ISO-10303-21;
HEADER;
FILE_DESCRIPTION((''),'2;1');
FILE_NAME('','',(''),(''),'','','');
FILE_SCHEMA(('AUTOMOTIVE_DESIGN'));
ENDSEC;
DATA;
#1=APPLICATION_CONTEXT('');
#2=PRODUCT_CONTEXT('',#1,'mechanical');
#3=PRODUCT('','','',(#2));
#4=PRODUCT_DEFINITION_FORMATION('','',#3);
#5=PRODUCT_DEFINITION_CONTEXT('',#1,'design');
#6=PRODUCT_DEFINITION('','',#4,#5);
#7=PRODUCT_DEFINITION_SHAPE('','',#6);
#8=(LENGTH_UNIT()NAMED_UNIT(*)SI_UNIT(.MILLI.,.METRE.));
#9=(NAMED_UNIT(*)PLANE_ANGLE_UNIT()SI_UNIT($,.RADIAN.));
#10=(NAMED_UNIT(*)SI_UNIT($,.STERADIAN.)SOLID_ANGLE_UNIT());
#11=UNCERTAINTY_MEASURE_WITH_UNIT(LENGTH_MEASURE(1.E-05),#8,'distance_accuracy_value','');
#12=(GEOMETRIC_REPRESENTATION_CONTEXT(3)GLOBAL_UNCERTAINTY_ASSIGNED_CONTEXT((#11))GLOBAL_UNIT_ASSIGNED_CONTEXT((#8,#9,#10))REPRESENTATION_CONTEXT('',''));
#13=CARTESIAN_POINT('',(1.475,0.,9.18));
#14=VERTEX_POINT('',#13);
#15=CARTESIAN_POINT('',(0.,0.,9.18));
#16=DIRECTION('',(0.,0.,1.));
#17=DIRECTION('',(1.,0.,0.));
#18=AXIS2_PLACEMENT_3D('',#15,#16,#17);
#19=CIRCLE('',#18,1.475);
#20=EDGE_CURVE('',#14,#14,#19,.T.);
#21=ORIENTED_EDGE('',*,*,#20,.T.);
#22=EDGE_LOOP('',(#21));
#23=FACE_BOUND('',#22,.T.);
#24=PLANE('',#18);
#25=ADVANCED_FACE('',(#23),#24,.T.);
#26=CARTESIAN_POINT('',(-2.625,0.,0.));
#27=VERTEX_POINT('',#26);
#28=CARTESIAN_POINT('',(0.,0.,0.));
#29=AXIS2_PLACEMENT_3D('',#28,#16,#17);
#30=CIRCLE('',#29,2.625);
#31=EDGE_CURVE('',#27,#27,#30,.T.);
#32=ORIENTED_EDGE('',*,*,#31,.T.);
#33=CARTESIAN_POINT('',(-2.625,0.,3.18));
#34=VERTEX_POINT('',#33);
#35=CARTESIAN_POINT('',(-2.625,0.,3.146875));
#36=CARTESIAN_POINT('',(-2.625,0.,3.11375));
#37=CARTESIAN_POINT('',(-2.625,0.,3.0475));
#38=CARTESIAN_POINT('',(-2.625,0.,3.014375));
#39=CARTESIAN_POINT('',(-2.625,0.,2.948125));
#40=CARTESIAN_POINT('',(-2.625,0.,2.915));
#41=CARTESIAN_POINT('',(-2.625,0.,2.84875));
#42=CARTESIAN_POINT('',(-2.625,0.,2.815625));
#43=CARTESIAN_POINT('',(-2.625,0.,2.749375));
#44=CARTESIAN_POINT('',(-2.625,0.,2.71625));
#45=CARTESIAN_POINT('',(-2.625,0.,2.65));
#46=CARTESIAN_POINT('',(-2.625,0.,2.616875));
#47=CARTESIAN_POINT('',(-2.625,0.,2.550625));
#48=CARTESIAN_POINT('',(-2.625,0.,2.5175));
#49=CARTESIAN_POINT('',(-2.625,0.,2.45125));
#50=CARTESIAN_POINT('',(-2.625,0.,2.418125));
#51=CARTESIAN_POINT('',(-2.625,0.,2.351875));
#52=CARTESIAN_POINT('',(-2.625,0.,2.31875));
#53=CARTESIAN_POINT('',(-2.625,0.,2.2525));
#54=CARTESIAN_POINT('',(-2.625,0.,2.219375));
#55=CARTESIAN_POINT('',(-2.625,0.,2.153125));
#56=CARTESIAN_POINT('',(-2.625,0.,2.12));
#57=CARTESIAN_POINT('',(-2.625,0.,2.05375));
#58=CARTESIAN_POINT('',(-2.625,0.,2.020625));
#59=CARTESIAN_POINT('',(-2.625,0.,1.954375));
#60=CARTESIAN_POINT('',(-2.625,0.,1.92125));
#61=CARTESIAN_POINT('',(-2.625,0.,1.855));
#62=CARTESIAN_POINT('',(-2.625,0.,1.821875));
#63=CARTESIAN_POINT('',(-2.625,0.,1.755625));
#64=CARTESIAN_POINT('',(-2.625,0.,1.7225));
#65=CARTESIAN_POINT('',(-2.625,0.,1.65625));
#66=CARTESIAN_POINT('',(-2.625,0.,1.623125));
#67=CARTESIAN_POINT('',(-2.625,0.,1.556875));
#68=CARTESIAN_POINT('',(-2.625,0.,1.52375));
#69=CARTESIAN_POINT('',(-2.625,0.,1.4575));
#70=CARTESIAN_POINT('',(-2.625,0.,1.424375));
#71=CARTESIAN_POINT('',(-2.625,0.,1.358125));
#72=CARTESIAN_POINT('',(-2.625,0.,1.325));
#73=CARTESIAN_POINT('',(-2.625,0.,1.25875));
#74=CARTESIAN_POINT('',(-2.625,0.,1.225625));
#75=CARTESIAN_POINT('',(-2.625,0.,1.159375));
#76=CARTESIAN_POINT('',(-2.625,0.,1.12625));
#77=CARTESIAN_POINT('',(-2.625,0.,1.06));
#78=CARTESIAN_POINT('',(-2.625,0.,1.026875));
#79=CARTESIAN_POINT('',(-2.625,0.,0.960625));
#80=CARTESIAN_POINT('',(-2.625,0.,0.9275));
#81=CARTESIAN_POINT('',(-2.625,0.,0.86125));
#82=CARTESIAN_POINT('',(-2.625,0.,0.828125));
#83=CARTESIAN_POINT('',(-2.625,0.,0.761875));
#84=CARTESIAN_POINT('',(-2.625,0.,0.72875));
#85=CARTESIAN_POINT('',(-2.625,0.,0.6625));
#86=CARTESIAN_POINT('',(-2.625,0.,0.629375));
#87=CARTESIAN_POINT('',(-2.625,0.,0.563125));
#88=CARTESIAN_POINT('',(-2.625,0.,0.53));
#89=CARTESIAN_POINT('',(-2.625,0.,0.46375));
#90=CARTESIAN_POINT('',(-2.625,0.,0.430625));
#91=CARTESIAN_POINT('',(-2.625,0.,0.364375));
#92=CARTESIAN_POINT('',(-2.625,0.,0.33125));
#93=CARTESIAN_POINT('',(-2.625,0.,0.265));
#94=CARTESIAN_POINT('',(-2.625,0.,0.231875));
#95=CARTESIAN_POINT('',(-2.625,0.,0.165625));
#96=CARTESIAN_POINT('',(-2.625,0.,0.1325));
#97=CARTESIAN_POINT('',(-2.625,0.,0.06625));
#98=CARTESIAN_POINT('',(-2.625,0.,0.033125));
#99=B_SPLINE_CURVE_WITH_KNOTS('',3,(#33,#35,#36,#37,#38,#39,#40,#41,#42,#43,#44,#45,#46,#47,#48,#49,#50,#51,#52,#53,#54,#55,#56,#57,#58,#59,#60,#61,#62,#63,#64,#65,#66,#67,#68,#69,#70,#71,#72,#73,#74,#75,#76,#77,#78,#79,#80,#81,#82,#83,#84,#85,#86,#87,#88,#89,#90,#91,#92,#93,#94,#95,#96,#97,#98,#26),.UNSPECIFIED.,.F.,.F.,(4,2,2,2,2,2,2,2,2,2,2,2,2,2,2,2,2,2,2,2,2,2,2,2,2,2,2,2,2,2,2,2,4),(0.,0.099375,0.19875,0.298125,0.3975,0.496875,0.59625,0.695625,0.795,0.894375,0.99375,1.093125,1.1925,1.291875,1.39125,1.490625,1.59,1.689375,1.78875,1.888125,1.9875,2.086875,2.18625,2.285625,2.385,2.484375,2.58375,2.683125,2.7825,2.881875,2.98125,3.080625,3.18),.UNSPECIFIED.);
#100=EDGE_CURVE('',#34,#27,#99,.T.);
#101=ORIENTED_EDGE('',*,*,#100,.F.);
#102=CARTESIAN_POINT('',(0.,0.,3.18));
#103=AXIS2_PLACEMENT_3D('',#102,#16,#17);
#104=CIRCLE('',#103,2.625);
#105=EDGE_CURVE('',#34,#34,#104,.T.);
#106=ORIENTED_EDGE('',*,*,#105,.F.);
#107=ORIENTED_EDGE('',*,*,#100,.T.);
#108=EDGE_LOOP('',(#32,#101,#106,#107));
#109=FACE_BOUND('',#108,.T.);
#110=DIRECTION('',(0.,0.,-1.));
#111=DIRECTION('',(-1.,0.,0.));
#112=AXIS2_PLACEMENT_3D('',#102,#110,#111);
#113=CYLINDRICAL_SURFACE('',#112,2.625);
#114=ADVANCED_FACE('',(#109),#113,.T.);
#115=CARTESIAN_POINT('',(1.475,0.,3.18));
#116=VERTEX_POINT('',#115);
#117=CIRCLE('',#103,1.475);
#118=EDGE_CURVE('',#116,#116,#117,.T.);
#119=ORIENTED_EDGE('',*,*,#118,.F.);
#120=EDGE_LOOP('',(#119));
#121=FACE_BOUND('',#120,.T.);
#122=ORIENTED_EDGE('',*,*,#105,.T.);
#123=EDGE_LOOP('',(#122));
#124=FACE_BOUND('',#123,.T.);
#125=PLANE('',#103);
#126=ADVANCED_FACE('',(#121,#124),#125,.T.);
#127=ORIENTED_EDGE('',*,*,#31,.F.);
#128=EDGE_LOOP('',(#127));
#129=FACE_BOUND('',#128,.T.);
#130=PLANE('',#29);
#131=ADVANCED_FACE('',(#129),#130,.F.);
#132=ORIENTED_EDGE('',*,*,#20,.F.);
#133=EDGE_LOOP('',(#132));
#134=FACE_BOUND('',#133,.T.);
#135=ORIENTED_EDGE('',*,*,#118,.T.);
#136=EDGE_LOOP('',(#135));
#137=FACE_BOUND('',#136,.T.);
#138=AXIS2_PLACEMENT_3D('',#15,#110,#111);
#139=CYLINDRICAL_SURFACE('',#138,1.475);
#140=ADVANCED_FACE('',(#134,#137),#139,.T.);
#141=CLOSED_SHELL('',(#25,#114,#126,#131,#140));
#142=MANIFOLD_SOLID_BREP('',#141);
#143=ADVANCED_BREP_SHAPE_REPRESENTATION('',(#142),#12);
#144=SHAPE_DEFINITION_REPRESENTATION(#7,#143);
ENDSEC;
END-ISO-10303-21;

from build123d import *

# Parameters (mm, degrees)
SKETCH1_R           = 2.625
BOSS_EXTRUDE1_DEPTH = 3.18
SKETCH2_R           = 1.475
BOSS_EXTRUDE2_DEPTH = 6


with BuildPart() as part:
    # Sketch1 → Boss-Extrude1 (new body)
    with BuildSketch(Plane.XY):
        with Locations(Location((0, 0, 0), (0, 0, 180))):
            Circle(SKETCH1_R)
    extrude(amount=BOSS_EXTRUDE1_DEPTH)

    # Sketch2 → Boss-Extrude2 (add)
    with BuildSketch(Plane.XY.offset(3.18)):
        Circle(SKETCH2_R)
    extrude(amount=BOSS_EXTRUDE2_DEPTH)


solid = part.part
